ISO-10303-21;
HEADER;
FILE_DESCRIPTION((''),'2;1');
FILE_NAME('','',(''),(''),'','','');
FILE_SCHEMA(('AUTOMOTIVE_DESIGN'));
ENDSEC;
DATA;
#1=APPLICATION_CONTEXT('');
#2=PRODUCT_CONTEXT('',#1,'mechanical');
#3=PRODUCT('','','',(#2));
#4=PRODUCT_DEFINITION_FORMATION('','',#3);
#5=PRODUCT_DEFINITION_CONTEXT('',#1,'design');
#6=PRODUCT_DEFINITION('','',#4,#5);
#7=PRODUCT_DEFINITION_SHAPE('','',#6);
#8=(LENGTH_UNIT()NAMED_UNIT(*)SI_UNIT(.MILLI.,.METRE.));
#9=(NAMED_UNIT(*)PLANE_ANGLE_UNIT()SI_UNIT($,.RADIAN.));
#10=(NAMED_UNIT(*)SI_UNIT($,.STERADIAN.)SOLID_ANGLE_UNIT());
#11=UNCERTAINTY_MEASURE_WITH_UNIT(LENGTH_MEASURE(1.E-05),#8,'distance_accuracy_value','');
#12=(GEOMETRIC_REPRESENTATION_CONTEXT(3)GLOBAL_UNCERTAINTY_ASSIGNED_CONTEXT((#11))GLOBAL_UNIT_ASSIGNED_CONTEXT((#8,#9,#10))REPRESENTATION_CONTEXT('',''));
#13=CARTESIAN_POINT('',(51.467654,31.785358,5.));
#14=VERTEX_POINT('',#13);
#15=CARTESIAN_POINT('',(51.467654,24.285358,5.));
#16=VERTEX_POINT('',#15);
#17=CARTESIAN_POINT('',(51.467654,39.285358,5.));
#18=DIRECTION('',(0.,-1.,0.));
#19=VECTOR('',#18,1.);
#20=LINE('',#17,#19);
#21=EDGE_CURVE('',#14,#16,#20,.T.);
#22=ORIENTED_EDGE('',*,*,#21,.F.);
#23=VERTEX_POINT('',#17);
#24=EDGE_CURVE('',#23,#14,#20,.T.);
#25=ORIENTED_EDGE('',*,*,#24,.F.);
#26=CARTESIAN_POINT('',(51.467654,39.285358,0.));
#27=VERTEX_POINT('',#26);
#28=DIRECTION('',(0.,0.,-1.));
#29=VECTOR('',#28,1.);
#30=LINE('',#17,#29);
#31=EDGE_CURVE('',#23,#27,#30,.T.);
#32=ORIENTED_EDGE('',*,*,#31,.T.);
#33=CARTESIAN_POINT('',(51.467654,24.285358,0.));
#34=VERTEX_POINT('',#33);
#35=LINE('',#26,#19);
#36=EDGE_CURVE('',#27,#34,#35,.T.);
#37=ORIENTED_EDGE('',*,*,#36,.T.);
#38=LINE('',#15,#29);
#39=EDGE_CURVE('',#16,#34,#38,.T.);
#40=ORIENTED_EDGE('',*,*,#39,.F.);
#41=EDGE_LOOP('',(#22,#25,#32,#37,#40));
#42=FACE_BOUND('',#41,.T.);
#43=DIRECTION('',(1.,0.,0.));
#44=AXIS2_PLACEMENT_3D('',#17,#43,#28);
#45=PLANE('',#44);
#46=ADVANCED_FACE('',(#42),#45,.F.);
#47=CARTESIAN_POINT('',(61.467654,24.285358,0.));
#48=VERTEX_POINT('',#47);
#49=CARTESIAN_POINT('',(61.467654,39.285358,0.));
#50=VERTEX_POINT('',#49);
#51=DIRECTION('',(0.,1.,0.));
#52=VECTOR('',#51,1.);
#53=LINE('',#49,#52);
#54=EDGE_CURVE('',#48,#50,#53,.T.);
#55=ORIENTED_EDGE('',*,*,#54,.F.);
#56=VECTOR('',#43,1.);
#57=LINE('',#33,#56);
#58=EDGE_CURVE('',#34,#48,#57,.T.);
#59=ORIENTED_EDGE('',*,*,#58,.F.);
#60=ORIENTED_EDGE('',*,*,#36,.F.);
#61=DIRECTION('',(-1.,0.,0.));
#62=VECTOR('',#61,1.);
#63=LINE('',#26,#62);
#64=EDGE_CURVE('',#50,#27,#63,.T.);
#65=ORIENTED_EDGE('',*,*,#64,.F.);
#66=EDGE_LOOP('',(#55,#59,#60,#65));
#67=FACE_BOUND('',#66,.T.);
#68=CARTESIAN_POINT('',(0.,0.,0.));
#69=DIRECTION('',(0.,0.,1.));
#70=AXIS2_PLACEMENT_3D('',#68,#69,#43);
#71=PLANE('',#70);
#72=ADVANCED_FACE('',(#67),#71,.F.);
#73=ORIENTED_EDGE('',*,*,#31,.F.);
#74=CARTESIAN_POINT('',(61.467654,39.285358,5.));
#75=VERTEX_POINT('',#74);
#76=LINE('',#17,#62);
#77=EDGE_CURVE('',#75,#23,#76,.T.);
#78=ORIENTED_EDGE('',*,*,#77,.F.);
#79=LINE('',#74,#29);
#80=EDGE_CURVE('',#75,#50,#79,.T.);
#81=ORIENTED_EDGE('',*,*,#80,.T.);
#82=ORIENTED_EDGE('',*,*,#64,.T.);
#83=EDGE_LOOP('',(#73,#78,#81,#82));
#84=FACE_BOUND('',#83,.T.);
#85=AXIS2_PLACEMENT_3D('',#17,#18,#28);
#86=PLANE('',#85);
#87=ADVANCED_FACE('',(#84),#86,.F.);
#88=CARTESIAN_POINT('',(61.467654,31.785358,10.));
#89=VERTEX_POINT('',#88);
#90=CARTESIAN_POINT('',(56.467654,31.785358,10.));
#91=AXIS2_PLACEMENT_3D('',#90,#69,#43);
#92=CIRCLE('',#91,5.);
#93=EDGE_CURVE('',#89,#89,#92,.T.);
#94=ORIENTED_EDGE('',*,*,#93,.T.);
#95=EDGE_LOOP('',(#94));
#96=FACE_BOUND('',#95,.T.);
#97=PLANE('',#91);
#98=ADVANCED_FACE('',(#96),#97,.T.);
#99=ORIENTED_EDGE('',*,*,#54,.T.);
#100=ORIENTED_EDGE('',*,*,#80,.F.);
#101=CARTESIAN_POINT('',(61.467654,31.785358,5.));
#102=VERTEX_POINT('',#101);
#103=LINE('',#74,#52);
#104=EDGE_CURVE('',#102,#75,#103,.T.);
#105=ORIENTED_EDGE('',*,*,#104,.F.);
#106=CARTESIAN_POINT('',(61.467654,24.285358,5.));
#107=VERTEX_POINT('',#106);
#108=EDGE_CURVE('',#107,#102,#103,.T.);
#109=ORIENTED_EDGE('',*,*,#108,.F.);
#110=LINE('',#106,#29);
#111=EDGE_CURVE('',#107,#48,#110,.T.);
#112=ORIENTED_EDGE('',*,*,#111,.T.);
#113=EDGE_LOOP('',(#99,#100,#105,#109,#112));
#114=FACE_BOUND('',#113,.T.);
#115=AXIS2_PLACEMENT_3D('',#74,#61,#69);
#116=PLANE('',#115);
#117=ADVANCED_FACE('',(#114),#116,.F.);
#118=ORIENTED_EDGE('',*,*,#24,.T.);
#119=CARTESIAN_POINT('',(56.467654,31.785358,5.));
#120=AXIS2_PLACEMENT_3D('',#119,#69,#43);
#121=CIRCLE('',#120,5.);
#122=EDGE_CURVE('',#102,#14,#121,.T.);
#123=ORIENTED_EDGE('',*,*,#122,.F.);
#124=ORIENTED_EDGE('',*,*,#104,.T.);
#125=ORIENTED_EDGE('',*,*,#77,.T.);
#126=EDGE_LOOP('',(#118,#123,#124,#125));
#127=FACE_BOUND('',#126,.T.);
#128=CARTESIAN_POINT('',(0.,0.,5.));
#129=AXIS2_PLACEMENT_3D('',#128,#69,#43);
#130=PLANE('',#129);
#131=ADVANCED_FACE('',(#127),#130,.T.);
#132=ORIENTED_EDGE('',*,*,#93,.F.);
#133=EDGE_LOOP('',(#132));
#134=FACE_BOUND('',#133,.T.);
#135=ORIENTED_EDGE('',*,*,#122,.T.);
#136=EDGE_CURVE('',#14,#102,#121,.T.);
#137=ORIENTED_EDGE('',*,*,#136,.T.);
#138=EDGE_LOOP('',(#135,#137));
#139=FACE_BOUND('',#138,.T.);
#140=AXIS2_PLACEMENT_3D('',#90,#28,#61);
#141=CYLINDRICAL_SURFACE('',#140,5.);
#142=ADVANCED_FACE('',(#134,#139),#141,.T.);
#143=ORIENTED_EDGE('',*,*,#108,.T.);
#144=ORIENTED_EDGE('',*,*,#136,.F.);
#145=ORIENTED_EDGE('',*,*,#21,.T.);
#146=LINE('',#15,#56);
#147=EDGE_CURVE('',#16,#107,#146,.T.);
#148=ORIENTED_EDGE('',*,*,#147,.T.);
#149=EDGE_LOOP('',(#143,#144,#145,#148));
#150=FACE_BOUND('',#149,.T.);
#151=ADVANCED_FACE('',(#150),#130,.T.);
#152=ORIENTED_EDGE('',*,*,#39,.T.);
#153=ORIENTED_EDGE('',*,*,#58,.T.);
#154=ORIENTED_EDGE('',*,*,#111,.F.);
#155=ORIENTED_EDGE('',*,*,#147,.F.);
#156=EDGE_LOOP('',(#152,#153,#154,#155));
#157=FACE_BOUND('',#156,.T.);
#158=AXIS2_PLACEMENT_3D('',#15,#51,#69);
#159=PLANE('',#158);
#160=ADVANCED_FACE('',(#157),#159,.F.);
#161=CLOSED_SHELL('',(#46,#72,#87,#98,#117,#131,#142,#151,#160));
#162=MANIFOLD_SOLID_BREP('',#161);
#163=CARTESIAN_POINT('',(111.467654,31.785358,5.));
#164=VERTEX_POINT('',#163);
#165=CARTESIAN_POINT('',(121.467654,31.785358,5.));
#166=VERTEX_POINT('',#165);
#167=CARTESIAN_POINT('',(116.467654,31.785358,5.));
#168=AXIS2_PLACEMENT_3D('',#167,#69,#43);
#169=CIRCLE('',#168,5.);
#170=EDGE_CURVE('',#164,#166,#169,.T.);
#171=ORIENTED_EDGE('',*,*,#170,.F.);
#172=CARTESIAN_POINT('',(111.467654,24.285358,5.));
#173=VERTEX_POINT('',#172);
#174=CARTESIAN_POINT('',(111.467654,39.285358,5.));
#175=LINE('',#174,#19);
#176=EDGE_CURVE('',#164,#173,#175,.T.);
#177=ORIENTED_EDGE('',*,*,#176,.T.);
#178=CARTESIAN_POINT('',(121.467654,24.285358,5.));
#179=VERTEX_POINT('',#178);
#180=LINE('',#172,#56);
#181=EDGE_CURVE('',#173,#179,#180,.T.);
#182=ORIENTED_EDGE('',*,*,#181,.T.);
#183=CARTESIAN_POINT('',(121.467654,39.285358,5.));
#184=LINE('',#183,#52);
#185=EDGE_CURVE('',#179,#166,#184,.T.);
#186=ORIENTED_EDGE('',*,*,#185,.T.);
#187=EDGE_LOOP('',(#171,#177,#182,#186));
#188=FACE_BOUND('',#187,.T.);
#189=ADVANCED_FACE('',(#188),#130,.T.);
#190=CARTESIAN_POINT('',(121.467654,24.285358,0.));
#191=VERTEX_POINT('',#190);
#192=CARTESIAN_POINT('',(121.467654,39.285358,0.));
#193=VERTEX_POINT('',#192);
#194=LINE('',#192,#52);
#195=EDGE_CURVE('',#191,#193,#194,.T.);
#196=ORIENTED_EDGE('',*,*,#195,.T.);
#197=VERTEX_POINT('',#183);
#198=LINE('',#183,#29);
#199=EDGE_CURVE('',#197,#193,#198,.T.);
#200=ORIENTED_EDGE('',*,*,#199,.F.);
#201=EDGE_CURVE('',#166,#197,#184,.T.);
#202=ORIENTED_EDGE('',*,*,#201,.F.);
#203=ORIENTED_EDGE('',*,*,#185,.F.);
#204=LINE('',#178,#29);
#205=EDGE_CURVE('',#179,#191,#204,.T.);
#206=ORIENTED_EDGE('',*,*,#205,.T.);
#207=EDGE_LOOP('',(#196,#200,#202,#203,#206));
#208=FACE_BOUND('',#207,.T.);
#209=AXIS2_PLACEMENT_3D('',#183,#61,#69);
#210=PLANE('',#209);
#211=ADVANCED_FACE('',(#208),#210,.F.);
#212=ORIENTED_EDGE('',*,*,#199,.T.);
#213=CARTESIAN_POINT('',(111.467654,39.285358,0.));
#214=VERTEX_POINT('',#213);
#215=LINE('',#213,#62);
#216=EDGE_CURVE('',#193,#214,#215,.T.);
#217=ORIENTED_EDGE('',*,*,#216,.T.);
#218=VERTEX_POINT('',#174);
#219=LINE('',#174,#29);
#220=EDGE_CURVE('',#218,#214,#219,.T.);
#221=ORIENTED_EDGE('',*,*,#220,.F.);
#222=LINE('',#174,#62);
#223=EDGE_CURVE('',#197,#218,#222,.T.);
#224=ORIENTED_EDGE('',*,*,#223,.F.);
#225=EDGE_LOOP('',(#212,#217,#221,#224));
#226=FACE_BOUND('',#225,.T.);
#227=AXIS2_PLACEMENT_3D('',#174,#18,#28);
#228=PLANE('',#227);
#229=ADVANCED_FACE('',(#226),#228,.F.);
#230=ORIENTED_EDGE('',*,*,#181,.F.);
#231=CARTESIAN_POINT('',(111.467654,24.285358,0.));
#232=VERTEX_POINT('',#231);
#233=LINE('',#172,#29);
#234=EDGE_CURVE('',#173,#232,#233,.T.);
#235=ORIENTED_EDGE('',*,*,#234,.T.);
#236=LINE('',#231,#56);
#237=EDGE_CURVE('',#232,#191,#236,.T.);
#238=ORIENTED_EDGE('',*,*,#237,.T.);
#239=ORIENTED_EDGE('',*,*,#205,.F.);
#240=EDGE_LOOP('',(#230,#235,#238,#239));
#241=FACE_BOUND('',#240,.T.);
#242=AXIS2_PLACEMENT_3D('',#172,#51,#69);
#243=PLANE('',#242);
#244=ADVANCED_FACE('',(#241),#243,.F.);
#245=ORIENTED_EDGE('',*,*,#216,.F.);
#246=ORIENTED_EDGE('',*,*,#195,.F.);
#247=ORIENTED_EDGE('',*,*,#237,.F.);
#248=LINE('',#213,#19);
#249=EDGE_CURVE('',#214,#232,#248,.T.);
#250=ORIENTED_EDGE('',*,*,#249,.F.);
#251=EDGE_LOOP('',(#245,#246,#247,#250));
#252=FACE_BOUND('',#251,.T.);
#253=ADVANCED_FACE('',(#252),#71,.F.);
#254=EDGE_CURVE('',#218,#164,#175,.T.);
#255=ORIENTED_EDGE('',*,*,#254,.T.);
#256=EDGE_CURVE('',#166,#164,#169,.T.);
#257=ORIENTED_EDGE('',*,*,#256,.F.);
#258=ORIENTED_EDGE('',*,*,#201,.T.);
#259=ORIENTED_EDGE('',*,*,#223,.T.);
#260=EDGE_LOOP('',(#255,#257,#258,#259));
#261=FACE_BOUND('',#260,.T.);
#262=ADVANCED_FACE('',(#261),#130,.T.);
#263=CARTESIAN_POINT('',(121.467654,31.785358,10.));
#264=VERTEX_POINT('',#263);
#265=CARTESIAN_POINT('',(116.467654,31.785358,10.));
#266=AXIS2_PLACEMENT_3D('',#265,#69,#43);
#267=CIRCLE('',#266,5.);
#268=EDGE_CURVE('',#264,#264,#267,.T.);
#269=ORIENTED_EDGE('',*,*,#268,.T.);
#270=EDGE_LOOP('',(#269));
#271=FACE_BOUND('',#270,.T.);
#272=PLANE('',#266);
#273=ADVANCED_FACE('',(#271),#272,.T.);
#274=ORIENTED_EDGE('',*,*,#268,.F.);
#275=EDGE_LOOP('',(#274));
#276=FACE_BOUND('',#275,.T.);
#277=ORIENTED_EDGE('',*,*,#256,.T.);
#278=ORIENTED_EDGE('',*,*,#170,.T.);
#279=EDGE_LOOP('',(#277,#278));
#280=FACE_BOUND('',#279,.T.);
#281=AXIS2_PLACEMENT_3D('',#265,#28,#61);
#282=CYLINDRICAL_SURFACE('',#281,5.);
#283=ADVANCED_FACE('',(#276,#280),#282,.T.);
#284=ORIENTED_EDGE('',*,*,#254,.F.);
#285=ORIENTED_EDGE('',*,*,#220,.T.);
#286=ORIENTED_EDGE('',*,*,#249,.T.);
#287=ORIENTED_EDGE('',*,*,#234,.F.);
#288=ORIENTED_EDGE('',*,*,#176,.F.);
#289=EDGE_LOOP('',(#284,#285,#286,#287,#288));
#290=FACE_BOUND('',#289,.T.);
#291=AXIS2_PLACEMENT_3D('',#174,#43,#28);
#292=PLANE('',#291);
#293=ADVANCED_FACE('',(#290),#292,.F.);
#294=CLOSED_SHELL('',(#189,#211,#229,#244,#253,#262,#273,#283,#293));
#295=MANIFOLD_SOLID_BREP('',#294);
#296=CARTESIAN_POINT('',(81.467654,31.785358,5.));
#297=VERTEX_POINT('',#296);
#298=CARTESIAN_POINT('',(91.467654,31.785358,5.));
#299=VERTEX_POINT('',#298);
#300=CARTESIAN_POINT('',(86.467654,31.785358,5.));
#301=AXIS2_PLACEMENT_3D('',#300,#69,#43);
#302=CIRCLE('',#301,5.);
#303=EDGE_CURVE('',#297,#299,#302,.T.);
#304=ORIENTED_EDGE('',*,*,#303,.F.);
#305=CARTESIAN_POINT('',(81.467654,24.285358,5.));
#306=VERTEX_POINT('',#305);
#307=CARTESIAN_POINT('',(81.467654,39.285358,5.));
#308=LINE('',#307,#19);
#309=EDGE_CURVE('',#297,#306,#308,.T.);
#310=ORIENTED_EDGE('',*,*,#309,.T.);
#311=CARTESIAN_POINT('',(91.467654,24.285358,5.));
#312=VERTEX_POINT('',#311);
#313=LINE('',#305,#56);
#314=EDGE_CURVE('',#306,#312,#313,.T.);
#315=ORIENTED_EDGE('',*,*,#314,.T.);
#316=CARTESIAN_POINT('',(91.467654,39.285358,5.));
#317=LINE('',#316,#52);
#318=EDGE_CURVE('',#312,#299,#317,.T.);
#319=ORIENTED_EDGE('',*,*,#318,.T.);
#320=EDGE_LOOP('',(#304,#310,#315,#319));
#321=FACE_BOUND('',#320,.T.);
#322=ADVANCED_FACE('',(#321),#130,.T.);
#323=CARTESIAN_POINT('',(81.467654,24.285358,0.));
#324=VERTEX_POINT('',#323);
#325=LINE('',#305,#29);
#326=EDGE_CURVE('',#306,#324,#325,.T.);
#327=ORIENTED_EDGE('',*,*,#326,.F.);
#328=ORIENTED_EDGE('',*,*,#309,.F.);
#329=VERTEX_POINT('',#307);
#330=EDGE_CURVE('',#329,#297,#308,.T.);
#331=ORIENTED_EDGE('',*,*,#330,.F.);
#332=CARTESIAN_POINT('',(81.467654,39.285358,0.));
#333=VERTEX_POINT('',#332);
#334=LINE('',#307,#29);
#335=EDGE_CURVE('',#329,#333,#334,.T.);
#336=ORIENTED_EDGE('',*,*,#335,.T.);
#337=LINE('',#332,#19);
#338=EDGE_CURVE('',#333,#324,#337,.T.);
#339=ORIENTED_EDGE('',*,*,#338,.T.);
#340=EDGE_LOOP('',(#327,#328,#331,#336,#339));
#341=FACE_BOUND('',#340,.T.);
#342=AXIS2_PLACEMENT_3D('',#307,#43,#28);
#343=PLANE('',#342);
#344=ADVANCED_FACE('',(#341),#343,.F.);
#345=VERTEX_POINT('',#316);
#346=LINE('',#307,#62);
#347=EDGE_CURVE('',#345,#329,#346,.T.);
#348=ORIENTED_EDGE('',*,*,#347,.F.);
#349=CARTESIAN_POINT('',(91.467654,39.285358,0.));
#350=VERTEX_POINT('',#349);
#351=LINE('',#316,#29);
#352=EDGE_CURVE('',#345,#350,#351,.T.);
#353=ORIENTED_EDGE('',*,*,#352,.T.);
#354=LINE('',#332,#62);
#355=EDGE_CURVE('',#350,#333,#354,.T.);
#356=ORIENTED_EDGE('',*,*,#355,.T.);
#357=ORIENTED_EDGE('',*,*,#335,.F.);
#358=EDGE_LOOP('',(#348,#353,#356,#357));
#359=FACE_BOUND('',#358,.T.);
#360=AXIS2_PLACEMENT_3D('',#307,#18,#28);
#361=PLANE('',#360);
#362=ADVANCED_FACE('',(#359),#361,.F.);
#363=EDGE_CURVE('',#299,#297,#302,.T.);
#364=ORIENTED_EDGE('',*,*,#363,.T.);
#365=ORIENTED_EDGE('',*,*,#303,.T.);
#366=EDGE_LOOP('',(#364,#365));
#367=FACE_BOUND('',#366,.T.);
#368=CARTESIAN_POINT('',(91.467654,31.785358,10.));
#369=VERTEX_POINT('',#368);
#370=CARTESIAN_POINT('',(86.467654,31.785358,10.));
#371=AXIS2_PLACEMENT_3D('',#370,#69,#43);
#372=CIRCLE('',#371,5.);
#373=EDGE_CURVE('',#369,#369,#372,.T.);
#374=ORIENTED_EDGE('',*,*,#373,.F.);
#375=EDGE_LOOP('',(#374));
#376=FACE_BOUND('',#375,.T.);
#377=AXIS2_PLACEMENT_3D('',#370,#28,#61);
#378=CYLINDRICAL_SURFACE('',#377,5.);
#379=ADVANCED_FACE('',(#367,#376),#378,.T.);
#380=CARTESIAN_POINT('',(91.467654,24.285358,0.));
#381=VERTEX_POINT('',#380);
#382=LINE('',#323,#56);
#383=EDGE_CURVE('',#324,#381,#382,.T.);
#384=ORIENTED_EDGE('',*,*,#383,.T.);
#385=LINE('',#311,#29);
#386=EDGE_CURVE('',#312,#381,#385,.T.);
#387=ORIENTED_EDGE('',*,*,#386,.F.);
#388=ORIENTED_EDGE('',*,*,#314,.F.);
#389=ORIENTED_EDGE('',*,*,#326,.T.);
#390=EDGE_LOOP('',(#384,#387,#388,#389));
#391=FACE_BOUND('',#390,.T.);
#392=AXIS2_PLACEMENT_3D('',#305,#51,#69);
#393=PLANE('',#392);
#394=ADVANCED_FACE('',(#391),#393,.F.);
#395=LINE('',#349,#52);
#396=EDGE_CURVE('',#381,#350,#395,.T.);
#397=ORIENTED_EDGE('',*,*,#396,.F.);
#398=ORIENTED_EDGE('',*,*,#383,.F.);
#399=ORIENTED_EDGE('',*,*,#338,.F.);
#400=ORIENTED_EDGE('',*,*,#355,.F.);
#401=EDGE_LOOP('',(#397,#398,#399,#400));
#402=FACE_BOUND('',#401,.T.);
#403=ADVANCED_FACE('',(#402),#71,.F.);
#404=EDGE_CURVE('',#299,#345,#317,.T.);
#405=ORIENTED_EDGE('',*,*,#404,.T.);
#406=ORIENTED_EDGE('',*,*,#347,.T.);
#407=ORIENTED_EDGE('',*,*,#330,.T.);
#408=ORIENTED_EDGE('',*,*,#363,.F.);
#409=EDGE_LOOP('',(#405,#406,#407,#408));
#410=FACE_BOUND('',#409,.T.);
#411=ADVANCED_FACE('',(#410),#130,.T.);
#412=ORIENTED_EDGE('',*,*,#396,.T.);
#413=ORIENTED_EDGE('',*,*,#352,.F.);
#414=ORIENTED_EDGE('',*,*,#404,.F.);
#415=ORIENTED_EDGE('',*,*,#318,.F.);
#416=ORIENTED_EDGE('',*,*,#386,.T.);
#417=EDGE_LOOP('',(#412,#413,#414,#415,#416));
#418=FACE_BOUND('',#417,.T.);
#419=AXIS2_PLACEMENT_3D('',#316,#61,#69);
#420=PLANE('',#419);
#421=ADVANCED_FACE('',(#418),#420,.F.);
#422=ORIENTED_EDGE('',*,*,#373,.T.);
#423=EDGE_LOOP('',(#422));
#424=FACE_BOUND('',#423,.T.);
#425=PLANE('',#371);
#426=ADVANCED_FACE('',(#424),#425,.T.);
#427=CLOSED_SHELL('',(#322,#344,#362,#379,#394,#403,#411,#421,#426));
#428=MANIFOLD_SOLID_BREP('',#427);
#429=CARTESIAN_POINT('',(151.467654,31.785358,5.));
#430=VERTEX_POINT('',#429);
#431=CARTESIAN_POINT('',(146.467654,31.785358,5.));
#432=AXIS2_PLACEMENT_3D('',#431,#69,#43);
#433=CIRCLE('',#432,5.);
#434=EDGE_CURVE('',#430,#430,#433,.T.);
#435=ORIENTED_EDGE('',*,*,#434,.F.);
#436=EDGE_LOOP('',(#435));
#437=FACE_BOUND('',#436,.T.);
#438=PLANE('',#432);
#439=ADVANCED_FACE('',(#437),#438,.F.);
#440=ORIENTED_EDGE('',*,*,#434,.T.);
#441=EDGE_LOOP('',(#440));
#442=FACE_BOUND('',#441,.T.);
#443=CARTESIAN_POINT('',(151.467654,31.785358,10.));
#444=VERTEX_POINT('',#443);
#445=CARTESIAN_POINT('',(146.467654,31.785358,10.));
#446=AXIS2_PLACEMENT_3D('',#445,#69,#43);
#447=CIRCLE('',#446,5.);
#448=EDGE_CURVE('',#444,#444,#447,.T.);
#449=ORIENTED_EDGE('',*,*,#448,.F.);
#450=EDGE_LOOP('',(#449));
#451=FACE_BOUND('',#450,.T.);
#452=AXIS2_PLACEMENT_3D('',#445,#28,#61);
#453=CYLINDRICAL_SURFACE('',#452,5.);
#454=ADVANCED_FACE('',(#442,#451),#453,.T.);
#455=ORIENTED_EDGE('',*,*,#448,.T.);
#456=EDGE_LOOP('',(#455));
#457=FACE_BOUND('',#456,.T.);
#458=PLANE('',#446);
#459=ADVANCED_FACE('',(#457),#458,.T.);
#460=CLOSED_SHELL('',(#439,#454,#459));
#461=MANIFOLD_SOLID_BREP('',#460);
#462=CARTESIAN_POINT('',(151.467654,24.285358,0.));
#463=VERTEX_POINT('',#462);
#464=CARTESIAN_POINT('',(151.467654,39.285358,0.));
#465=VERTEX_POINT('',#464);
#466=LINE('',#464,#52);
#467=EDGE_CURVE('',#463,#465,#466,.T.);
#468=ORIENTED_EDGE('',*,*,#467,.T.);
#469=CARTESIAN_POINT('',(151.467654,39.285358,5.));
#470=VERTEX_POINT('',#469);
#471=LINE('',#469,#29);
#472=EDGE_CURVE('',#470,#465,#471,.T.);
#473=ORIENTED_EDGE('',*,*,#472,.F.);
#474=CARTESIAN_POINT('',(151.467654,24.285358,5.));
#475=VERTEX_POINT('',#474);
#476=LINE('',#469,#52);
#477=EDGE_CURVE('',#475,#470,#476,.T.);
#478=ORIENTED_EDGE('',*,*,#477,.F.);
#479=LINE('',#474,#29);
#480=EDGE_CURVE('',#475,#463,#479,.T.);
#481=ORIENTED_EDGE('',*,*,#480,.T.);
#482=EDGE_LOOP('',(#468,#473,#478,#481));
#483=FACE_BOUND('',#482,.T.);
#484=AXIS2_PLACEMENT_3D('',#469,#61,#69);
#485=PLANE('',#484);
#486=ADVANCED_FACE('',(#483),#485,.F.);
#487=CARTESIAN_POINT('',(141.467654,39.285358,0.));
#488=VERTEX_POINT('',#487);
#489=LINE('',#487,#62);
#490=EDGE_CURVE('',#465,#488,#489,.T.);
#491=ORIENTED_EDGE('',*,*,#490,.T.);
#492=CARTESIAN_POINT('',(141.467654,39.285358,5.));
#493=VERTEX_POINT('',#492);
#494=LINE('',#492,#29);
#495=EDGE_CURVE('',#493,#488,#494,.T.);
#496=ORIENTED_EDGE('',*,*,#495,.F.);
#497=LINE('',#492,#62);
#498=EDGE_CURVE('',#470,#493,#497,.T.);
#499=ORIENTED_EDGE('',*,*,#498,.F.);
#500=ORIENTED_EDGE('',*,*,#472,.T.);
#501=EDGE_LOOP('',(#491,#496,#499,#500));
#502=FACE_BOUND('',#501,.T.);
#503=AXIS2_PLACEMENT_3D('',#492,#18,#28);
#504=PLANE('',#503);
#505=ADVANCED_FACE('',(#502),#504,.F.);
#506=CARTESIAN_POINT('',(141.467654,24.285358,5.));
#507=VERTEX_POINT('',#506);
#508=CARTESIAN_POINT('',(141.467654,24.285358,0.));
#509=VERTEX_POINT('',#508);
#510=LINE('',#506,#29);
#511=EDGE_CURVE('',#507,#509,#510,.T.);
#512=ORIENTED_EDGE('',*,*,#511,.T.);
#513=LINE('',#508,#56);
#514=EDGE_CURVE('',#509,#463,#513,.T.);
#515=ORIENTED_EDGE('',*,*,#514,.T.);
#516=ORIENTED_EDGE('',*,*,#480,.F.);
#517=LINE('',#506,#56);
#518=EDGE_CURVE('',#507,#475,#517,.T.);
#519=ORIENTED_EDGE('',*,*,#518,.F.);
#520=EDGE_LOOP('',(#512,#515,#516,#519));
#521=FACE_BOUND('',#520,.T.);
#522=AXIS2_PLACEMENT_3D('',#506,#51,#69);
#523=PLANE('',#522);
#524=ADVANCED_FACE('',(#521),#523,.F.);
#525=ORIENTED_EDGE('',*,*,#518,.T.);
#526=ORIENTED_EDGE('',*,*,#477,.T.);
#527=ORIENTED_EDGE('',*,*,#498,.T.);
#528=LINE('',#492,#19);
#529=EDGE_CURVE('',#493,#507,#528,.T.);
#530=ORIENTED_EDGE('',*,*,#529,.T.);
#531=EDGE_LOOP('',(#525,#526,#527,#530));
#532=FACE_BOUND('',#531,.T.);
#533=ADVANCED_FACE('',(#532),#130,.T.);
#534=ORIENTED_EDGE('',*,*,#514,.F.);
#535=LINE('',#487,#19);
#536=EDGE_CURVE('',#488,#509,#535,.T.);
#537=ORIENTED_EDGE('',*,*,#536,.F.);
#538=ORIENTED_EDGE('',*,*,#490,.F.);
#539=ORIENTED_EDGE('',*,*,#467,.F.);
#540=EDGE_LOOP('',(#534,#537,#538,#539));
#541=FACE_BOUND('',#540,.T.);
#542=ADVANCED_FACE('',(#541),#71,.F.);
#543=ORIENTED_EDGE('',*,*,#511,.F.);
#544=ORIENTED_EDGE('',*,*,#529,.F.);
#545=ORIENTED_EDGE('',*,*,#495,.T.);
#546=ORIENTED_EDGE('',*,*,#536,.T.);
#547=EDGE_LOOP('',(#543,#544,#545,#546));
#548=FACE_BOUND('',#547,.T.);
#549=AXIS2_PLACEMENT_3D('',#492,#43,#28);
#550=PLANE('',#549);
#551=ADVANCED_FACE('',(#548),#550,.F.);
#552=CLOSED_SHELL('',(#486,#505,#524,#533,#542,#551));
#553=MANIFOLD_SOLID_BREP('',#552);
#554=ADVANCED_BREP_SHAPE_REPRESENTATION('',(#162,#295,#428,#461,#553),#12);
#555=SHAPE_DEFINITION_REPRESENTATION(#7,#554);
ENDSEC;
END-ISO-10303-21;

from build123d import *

# Parameters (mm, degrees)
SKETCH_1_W        = 10
SKETCH_1_H        = 15
EXTRUDE_1_DEPTH   = 5
EXTRUDE_1_2_DEPTH = 5
EXTRUDE_1_3_DEPTH = 5
EXTRUDE_1_4_DEPTH = 5
SKETCH_3_R        = 5
EXTRUDE_2_DEPTH   = 5


with BuildPart() as part:
    # 草图1 → 凸台-拉伸1 (new body)
    with BuildSketch(Plane.XY):
        with Locations((116.467654294, 31.785358307)):
            Rectangle(SKETCH_1_W, SKETCH_1_H)
    extrude(amount=EXTRUDE_1_DEPTH)



with BuildPart() as body_2:
    # 草图1 → Extrude 1 2 (new body)
    with BuildSketch(Plane.XY):
        with Locations((86.467654294, 31.785358307)):
            Rectangle(SKETCH_1_W, SKETCH_1_H)
    extrude(amount=EXTRUDE_1_2_DEPTH)


with BuildPart() as body_3:
    # 草图1 → Extrude 1 3 (new body)
    with BuildSketch(Plane.XY):
        with Locations((56.467654294, 31.785358307)):
            Rectangle(SKETCH_1_W, SKETCH_1_H)
    extrude(amount=EXTRUDE_1_3_DEPTH)


with BuildPart() as body_4:
    # 草图1 → Extrude 1 4 (new body)
    with BuildSketch(Plane.XY):
        with Locations((146.467654294, 31.785358307)):
            Rectangle(SKETCH_1_W, SKETCH_1_H)
    extrude(amount=EXTRUDE_1_4_DEPTH)


with BuildPart() as part_1:
    add(part.part)

    add(body_2.part)  # 凸台-拉伸2 merges body 2

    add(body_3.part)  # 凸台-拉伸2 merges body 3
    # 草图3 → 凸台-拉伸2 (add)
    with BuildSketch(Plane.XY.offset(5)):
        with Locations((116.467654294, 31.785358307)):
            Circle(SKETCH_3_R)
        with Locations((86.467654294, 31.785358307)):
            Circle(SKETCH_3_R)
        with Locations((56.467654294, 31.785358307)):
            Circle(SKETCH_3_R)
        with Locations((146.467654294, 31.785358307)):
            Circle(SKETCH_3_R)
    extrude(amount=EXTRUDE_2_DEPTH)


solid = Compound([body_4.part, part_1.part])
